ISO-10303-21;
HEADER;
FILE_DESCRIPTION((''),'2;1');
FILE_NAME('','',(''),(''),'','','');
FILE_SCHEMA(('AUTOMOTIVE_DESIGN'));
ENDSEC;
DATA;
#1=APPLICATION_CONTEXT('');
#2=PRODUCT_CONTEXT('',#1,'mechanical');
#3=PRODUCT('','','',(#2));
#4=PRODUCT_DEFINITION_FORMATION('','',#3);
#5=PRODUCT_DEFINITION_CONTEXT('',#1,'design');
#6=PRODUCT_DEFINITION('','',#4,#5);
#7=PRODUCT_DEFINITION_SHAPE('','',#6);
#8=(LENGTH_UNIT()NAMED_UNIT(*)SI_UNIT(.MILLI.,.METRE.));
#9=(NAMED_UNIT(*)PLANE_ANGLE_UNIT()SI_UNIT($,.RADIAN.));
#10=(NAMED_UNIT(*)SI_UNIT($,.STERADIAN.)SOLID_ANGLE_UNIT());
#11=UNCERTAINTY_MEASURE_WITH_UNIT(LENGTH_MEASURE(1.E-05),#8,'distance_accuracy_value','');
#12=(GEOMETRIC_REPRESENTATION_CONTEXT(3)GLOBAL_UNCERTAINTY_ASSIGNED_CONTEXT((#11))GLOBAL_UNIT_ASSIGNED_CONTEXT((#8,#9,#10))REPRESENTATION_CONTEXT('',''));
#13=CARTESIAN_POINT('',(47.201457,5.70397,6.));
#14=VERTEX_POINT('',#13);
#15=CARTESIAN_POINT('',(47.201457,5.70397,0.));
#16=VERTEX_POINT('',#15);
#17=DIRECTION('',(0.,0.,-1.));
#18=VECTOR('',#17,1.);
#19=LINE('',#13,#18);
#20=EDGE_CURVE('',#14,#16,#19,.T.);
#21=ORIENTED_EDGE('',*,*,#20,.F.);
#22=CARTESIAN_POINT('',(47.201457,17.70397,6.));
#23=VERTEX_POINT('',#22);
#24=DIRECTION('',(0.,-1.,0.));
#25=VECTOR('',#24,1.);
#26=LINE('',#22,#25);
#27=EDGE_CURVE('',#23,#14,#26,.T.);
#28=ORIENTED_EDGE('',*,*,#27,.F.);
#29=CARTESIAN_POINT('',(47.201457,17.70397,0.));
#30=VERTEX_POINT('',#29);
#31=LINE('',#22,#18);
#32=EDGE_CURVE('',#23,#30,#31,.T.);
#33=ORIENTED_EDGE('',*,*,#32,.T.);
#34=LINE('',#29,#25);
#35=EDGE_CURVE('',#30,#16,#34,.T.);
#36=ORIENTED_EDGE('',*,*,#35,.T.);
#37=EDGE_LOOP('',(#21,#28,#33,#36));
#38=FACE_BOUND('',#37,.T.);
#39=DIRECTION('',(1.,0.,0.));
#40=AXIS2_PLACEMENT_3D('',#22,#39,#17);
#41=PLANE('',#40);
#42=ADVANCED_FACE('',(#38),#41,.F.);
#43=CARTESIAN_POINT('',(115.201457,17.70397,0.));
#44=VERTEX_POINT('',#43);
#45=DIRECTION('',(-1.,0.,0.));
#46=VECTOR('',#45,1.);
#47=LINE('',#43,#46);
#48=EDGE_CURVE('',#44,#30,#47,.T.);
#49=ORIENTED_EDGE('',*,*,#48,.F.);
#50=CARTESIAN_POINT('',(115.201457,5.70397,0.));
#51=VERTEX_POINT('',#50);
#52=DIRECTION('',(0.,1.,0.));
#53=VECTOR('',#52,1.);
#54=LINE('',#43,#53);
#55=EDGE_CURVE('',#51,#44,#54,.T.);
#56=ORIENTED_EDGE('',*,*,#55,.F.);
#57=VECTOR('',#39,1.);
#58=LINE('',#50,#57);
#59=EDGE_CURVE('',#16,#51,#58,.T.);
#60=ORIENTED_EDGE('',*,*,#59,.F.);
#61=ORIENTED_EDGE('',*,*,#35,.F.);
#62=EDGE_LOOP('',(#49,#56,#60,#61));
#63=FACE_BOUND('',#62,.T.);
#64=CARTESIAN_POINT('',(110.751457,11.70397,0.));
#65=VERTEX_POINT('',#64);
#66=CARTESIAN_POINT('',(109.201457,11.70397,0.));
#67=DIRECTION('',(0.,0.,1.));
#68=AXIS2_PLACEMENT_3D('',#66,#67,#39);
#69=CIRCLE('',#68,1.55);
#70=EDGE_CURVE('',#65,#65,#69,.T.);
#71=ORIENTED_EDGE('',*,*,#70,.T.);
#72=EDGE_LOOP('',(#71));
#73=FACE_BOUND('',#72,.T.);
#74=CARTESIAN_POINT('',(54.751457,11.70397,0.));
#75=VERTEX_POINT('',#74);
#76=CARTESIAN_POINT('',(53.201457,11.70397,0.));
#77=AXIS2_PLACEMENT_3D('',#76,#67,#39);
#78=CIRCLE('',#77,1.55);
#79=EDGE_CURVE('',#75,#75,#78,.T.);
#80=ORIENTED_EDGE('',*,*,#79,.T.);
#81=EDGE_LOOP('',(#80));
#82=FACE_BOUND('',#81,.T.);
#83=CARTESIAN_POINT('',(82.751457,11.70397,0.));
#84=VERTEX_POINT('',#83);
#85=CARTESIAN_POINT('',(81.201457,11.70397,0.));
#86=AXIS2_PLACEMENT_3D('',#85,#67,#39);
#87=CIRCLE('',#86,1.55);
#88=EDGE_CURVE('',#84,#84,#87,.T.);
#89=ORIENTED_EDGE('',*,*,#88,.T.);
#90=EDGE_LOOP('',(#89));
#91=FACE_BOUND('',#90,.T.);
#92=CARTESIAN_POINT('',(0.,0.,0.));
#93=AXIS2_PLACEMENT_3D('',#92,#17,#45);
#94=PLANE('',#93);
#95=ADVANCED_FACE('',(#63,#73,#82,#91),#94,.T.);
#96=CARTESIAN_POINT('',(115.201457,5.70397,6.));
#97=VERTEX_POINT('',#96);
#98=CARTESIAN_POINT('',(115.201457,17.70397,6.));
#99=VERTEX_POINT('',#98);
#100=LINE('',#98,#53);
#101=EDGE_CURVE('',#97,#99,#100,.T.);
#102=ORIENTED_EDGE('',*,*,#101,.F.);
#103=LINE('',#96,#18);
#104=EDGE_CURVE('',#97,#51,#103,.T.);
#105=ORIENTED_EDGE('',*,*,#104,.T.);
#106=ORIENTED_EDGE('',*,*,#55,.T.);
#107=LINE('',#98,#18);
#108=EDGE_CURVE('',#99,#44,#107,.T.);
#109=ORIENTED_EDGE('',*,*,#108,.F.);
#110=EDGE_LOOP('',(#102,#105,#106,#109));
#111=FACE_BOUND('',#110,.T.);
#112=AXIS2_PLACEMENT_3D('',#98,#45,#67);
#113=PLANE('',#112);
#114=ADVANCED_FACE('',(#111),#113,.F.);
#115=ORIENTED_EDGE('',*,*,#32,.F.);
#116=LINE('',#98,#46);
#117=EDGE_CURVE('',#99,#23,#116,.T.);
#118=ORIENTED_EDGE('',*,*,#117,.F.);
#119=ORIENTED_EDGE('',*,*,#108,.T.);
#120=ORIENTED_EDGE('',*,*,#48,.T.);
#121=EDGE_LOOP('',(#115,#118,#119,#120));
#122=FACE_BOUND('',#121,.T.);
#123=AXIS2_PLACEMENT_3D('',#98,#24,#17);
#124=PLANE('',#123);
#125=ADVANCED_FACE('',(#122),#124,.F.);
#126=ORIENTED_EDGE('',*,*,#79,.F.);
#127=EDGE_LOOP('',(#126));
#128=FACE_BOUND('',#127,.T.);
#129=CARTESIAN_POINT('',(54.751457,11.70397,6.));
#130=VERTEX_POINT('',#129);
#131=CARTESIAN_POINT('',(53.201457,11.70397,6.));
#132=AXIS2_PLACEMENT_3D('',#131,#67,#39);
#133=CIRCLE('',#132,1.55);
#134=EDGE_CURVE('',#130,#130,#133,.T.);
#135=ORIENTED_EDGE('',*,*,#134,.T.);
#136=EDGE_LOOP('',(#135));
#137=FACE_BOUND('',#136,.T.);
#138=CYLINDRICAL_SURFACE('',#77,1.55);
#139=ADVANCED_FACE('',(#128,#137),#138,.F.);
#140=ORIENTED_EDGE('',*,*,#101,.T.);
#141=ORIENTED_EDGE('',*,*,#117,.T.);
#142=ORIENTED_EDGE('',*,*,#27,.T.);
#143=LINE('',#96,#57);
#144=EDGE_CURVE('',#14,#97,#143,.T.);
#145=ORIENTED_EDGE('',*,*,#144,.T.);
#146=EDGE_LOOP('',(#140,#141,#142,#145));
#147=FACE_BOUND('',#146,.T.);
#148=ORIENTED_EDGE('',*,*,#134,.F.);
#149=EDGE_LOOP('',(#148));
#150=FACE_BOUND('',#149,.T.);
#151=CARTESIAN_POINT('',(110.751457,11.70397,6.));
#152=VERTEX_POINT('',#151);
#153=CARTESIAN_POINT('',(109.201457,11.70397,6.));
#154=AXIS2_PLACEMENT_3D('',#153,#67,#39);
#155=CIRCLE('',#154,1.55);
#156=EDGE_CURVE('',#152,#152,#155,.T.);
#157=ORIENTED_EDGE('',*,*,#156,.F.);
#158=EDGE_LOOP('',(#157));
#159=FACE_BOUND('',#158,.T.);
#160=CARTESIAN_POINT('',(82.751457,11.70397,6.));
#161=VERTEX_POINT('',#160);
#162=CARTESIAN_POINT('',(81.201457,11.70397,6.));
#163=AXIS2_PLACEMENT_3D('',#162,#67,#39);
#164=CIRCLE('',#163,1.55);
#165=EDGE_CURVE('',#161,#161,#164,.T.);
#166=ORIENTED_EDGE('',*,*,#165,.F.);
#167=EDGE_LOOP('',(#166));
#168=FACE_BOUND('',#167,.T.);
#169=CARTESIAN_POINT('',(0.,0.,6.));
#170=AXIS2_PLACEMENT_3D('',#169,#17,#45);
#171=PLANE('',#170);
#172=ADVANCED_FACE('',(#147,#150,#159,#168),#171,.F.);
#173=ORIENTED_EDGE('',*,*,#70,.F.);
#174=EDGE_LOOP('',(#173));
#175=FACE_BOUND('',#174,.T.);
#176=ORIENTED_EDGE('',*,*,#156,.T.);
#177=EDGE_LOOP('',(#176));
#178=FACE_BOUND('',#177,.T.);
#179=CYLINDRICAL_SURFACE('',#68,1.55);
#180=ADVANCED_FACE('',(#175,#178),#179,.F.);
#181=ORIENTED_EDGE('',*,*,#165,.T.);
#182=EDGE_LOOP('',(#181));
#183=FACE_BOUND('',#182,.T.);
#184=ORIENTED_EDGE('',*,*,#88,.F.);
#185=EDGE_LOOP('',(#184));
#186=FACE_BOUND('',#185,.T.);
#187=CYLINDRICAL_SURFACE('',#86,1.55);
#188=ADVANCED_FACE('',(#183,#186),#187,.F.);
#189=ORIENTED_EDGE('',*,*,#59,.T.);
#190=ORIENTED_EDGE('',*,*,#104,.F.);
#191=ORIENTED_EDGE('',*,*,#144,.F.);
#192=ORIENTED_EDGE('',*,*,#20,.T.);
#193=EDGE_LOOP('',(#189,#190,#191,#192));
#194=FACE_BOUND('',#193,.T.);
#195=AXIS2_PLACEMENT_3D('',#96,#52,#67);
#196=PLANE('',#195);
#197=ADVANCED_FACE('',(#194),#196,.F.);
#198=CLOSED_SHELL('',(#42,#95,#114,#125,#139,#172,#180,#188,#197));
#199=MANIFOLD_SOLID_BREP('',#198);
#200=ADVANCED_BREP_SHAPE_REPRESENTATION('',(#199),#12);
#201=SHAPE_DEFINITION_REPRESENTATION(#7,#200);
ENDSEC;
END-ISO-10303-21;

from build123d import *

# Parameters (mm, degrees)
SZKIC1_W                    = 68
SZKIC1_H                    = 12
DODANIE_WYCI_GNI_CIE1_DEPTH = 6
SZKIC2_R                    = 1.55
WYTNIJ_WYCI_GNI_CIE1_DEPTH  = 6


with BuildPart() as part:
    # Szkic1 → Dodanie-wyciągnięcie1 (new body)
    with BuildSketch(Plane.XY):
        with Locations((81.201456632, 11.703969636)):
            Rectangle(SZKIC1_W, SZKIC1_H)
    extrude(amount=DODANIE_WYCI_GNI_CIE1_DEPTH)

    # Szkic2 → Wytnij-wyciągnięcie1 (cut)
    with BuildSketch(Plane.XY.offset(6)):
        with Locations((109.201456632, 11.703969636)):
            Circle(SZKIC2_R)
        with Locations((53.201456632, 11.703969636)):
            Circle(SZKIC2_R)
        with Locations((81.201456632, 11.703969636)):
            Circle(SZKIC2_R)
    extrude(amount=-WYTNIJ_WYCI_GNI_CIE1_DEPTH, mode=Mode.SUBTRACT)


solid = part.part
